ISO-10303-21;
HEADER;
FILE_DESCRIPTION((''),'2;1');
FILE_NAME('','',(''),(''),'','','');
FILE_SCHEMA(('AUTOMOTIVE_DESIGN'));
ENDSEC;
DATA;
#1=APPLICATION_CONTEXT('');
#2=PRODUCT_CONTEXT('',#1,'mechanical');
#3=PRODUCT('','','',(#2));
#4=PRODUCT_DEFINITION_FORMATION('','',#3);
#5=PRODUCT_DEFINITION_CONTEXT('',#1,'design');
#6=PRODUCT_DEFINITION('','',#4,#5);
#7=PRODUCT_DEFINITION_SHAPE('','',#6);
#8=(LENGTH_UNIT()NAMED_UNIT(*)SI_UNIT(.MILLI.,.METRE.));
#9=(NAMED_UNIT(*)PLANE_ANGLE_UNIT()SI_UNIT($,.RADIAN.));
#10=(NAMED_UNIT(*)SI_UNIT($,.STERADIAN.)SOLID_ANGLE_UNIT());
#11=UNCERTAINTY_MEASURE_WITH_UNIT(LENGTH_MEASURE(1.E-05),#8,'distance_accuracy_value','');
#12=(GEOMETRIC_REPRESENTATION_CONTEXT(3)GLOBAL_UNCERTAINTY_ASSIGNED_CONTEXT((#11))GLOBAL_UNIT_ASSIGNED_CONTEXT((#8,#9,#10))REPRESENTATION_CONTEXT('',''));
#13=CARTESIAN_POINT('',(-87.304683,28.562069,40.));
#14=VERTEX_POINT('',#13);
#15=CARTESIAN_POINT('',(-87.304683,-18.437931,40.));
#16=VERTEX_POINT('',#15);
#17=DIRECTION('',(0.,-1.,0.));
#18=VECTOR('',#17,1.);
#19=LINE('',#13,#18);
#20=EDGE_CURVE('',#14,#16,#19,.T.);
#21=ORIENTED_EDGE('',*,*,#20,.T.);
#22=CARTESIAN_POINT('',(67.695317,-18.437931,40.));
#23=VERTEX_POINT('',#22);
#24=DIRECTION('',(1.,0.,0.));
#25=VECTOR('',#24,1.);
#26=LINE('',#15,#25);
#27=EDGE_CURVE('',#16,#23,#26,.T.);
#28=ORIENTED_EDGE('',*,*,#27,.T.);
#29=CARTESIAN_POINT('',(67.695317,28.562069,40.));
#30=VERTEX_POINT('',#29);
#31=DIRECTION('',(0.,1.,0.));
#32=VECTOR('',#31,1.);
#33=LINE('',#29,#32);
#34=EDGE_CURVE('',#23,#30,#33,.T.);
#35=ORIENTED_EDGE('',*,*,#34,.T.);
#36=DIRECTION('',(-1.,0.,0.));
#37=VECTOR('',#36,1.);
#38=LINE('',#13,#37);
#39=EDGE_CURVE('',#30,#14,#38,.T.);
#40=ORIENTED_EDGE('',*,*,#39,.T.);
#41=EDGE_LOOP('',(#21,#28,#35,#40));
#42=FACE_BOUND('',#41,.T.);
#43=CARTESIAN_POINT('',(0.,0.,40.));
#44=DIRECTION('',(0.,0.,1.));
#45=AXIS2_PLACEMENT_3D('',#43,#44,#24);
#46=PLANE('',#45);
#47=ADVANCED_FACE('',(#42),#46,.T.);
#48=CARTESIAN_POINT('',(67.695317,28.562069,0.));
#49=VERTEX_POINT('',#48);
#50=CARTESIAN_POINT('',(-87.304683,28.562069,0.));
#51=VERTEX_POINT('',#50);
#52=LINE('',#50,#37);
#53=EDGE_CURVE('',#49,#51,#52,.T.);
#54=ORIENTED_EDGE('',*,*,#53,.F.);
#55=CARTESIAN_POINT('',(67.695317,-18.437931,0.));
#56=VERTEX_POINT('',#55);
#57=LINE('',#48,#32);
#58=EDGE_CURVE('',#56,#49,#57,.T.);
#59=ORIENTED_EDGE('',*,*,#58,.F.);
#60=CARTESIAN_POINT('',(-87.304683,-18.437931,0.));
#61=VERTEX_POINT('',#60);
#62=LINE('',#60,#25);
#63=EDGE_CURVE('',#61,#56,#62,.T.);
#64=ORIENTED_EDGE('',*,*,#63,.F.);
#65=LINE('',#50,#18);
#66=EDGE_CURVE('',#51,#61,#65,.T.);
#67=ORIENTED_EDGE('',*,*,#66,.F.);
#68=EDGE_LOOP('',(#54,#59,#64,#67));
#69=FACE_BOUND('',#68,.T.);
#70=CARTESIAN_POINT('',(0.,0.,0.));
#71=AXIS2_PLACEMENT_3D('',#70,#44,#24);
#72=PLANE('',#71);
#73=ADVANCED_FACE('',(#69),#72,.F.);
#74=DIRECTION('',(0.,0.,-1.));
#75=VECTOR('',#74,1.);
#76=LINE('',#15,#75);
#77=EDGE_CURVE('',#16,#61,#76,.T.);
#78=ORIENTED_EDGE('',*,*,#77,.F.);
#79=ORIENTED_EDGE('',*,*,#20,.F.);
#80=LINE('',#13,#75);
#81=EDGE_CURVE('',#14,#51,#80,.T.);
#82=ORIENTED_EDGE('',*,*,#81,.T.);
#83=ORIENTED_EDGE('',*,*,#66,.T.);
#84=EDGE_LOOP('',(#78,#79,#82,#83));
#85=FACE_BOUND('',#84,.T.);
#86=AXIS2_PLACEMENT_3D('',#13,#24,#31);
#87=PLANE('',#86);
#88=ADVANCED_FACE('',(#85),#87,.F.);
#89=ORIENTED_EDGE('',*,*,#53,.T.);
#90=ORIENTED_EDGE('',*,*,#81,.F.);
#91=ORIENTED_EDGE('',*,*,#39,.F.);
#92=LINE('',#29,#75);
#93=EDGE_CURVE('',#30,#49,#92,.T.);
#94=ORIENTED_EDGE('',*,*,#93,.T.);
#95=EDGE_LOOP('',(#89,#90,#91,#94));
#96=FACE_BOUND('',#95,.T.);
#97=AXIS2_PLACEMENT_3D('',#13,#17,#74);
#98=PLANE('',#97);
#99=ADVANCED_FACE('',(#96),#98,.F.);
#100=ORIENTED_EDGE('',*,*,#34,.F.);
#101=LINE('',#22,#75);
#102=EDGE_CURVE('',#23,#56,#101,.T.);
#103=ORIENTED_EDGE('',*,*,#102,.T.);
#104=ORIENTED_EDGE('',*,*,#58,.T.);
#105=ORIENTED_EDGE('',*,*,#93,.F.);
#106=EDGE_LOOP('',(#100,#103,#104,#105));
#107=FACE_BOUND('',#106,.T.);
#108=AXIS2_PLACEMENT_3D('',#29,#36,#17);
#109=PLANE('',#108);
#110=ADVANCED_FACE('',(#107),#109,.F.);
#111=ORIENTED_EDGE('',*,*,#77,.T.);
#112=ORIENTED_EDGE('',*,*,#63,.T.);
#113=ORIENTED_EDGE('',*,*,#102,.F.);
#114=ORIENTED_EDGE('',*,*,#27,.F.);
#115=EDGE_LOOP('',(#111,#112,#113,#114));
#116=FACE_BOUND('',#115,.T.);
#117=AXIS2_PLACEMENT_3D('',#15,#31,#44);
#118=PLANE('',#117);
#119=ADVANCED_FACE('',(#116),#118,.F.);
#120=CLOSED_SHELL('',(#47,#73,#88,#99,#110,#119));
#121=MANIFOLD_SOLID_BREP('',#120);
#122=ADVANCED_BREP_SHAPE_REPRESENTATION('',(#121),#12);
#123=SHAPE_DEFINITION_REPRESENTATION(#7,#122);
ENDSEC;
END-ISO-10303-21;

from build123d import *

# Parameters (mm, degrees)
ESBO_O1_W                = 155
ESBO_O1_H                = 47
RESSALTO_EXTRUS_O1_DEPTH = 40


with BuildPart() as part:
    # Esboço1 → Ressalto-extrusão1 (new body)
    with BuildSketch(Plane.XY):
        with Locations((-9.804683131, 5.062068966)):
            Rectangle(ESBO_O1_W, ESBO_O1_H)
    extrude(amount=RESSALTO_EXTRUS_O1_DEPTH)


solid = part.part
